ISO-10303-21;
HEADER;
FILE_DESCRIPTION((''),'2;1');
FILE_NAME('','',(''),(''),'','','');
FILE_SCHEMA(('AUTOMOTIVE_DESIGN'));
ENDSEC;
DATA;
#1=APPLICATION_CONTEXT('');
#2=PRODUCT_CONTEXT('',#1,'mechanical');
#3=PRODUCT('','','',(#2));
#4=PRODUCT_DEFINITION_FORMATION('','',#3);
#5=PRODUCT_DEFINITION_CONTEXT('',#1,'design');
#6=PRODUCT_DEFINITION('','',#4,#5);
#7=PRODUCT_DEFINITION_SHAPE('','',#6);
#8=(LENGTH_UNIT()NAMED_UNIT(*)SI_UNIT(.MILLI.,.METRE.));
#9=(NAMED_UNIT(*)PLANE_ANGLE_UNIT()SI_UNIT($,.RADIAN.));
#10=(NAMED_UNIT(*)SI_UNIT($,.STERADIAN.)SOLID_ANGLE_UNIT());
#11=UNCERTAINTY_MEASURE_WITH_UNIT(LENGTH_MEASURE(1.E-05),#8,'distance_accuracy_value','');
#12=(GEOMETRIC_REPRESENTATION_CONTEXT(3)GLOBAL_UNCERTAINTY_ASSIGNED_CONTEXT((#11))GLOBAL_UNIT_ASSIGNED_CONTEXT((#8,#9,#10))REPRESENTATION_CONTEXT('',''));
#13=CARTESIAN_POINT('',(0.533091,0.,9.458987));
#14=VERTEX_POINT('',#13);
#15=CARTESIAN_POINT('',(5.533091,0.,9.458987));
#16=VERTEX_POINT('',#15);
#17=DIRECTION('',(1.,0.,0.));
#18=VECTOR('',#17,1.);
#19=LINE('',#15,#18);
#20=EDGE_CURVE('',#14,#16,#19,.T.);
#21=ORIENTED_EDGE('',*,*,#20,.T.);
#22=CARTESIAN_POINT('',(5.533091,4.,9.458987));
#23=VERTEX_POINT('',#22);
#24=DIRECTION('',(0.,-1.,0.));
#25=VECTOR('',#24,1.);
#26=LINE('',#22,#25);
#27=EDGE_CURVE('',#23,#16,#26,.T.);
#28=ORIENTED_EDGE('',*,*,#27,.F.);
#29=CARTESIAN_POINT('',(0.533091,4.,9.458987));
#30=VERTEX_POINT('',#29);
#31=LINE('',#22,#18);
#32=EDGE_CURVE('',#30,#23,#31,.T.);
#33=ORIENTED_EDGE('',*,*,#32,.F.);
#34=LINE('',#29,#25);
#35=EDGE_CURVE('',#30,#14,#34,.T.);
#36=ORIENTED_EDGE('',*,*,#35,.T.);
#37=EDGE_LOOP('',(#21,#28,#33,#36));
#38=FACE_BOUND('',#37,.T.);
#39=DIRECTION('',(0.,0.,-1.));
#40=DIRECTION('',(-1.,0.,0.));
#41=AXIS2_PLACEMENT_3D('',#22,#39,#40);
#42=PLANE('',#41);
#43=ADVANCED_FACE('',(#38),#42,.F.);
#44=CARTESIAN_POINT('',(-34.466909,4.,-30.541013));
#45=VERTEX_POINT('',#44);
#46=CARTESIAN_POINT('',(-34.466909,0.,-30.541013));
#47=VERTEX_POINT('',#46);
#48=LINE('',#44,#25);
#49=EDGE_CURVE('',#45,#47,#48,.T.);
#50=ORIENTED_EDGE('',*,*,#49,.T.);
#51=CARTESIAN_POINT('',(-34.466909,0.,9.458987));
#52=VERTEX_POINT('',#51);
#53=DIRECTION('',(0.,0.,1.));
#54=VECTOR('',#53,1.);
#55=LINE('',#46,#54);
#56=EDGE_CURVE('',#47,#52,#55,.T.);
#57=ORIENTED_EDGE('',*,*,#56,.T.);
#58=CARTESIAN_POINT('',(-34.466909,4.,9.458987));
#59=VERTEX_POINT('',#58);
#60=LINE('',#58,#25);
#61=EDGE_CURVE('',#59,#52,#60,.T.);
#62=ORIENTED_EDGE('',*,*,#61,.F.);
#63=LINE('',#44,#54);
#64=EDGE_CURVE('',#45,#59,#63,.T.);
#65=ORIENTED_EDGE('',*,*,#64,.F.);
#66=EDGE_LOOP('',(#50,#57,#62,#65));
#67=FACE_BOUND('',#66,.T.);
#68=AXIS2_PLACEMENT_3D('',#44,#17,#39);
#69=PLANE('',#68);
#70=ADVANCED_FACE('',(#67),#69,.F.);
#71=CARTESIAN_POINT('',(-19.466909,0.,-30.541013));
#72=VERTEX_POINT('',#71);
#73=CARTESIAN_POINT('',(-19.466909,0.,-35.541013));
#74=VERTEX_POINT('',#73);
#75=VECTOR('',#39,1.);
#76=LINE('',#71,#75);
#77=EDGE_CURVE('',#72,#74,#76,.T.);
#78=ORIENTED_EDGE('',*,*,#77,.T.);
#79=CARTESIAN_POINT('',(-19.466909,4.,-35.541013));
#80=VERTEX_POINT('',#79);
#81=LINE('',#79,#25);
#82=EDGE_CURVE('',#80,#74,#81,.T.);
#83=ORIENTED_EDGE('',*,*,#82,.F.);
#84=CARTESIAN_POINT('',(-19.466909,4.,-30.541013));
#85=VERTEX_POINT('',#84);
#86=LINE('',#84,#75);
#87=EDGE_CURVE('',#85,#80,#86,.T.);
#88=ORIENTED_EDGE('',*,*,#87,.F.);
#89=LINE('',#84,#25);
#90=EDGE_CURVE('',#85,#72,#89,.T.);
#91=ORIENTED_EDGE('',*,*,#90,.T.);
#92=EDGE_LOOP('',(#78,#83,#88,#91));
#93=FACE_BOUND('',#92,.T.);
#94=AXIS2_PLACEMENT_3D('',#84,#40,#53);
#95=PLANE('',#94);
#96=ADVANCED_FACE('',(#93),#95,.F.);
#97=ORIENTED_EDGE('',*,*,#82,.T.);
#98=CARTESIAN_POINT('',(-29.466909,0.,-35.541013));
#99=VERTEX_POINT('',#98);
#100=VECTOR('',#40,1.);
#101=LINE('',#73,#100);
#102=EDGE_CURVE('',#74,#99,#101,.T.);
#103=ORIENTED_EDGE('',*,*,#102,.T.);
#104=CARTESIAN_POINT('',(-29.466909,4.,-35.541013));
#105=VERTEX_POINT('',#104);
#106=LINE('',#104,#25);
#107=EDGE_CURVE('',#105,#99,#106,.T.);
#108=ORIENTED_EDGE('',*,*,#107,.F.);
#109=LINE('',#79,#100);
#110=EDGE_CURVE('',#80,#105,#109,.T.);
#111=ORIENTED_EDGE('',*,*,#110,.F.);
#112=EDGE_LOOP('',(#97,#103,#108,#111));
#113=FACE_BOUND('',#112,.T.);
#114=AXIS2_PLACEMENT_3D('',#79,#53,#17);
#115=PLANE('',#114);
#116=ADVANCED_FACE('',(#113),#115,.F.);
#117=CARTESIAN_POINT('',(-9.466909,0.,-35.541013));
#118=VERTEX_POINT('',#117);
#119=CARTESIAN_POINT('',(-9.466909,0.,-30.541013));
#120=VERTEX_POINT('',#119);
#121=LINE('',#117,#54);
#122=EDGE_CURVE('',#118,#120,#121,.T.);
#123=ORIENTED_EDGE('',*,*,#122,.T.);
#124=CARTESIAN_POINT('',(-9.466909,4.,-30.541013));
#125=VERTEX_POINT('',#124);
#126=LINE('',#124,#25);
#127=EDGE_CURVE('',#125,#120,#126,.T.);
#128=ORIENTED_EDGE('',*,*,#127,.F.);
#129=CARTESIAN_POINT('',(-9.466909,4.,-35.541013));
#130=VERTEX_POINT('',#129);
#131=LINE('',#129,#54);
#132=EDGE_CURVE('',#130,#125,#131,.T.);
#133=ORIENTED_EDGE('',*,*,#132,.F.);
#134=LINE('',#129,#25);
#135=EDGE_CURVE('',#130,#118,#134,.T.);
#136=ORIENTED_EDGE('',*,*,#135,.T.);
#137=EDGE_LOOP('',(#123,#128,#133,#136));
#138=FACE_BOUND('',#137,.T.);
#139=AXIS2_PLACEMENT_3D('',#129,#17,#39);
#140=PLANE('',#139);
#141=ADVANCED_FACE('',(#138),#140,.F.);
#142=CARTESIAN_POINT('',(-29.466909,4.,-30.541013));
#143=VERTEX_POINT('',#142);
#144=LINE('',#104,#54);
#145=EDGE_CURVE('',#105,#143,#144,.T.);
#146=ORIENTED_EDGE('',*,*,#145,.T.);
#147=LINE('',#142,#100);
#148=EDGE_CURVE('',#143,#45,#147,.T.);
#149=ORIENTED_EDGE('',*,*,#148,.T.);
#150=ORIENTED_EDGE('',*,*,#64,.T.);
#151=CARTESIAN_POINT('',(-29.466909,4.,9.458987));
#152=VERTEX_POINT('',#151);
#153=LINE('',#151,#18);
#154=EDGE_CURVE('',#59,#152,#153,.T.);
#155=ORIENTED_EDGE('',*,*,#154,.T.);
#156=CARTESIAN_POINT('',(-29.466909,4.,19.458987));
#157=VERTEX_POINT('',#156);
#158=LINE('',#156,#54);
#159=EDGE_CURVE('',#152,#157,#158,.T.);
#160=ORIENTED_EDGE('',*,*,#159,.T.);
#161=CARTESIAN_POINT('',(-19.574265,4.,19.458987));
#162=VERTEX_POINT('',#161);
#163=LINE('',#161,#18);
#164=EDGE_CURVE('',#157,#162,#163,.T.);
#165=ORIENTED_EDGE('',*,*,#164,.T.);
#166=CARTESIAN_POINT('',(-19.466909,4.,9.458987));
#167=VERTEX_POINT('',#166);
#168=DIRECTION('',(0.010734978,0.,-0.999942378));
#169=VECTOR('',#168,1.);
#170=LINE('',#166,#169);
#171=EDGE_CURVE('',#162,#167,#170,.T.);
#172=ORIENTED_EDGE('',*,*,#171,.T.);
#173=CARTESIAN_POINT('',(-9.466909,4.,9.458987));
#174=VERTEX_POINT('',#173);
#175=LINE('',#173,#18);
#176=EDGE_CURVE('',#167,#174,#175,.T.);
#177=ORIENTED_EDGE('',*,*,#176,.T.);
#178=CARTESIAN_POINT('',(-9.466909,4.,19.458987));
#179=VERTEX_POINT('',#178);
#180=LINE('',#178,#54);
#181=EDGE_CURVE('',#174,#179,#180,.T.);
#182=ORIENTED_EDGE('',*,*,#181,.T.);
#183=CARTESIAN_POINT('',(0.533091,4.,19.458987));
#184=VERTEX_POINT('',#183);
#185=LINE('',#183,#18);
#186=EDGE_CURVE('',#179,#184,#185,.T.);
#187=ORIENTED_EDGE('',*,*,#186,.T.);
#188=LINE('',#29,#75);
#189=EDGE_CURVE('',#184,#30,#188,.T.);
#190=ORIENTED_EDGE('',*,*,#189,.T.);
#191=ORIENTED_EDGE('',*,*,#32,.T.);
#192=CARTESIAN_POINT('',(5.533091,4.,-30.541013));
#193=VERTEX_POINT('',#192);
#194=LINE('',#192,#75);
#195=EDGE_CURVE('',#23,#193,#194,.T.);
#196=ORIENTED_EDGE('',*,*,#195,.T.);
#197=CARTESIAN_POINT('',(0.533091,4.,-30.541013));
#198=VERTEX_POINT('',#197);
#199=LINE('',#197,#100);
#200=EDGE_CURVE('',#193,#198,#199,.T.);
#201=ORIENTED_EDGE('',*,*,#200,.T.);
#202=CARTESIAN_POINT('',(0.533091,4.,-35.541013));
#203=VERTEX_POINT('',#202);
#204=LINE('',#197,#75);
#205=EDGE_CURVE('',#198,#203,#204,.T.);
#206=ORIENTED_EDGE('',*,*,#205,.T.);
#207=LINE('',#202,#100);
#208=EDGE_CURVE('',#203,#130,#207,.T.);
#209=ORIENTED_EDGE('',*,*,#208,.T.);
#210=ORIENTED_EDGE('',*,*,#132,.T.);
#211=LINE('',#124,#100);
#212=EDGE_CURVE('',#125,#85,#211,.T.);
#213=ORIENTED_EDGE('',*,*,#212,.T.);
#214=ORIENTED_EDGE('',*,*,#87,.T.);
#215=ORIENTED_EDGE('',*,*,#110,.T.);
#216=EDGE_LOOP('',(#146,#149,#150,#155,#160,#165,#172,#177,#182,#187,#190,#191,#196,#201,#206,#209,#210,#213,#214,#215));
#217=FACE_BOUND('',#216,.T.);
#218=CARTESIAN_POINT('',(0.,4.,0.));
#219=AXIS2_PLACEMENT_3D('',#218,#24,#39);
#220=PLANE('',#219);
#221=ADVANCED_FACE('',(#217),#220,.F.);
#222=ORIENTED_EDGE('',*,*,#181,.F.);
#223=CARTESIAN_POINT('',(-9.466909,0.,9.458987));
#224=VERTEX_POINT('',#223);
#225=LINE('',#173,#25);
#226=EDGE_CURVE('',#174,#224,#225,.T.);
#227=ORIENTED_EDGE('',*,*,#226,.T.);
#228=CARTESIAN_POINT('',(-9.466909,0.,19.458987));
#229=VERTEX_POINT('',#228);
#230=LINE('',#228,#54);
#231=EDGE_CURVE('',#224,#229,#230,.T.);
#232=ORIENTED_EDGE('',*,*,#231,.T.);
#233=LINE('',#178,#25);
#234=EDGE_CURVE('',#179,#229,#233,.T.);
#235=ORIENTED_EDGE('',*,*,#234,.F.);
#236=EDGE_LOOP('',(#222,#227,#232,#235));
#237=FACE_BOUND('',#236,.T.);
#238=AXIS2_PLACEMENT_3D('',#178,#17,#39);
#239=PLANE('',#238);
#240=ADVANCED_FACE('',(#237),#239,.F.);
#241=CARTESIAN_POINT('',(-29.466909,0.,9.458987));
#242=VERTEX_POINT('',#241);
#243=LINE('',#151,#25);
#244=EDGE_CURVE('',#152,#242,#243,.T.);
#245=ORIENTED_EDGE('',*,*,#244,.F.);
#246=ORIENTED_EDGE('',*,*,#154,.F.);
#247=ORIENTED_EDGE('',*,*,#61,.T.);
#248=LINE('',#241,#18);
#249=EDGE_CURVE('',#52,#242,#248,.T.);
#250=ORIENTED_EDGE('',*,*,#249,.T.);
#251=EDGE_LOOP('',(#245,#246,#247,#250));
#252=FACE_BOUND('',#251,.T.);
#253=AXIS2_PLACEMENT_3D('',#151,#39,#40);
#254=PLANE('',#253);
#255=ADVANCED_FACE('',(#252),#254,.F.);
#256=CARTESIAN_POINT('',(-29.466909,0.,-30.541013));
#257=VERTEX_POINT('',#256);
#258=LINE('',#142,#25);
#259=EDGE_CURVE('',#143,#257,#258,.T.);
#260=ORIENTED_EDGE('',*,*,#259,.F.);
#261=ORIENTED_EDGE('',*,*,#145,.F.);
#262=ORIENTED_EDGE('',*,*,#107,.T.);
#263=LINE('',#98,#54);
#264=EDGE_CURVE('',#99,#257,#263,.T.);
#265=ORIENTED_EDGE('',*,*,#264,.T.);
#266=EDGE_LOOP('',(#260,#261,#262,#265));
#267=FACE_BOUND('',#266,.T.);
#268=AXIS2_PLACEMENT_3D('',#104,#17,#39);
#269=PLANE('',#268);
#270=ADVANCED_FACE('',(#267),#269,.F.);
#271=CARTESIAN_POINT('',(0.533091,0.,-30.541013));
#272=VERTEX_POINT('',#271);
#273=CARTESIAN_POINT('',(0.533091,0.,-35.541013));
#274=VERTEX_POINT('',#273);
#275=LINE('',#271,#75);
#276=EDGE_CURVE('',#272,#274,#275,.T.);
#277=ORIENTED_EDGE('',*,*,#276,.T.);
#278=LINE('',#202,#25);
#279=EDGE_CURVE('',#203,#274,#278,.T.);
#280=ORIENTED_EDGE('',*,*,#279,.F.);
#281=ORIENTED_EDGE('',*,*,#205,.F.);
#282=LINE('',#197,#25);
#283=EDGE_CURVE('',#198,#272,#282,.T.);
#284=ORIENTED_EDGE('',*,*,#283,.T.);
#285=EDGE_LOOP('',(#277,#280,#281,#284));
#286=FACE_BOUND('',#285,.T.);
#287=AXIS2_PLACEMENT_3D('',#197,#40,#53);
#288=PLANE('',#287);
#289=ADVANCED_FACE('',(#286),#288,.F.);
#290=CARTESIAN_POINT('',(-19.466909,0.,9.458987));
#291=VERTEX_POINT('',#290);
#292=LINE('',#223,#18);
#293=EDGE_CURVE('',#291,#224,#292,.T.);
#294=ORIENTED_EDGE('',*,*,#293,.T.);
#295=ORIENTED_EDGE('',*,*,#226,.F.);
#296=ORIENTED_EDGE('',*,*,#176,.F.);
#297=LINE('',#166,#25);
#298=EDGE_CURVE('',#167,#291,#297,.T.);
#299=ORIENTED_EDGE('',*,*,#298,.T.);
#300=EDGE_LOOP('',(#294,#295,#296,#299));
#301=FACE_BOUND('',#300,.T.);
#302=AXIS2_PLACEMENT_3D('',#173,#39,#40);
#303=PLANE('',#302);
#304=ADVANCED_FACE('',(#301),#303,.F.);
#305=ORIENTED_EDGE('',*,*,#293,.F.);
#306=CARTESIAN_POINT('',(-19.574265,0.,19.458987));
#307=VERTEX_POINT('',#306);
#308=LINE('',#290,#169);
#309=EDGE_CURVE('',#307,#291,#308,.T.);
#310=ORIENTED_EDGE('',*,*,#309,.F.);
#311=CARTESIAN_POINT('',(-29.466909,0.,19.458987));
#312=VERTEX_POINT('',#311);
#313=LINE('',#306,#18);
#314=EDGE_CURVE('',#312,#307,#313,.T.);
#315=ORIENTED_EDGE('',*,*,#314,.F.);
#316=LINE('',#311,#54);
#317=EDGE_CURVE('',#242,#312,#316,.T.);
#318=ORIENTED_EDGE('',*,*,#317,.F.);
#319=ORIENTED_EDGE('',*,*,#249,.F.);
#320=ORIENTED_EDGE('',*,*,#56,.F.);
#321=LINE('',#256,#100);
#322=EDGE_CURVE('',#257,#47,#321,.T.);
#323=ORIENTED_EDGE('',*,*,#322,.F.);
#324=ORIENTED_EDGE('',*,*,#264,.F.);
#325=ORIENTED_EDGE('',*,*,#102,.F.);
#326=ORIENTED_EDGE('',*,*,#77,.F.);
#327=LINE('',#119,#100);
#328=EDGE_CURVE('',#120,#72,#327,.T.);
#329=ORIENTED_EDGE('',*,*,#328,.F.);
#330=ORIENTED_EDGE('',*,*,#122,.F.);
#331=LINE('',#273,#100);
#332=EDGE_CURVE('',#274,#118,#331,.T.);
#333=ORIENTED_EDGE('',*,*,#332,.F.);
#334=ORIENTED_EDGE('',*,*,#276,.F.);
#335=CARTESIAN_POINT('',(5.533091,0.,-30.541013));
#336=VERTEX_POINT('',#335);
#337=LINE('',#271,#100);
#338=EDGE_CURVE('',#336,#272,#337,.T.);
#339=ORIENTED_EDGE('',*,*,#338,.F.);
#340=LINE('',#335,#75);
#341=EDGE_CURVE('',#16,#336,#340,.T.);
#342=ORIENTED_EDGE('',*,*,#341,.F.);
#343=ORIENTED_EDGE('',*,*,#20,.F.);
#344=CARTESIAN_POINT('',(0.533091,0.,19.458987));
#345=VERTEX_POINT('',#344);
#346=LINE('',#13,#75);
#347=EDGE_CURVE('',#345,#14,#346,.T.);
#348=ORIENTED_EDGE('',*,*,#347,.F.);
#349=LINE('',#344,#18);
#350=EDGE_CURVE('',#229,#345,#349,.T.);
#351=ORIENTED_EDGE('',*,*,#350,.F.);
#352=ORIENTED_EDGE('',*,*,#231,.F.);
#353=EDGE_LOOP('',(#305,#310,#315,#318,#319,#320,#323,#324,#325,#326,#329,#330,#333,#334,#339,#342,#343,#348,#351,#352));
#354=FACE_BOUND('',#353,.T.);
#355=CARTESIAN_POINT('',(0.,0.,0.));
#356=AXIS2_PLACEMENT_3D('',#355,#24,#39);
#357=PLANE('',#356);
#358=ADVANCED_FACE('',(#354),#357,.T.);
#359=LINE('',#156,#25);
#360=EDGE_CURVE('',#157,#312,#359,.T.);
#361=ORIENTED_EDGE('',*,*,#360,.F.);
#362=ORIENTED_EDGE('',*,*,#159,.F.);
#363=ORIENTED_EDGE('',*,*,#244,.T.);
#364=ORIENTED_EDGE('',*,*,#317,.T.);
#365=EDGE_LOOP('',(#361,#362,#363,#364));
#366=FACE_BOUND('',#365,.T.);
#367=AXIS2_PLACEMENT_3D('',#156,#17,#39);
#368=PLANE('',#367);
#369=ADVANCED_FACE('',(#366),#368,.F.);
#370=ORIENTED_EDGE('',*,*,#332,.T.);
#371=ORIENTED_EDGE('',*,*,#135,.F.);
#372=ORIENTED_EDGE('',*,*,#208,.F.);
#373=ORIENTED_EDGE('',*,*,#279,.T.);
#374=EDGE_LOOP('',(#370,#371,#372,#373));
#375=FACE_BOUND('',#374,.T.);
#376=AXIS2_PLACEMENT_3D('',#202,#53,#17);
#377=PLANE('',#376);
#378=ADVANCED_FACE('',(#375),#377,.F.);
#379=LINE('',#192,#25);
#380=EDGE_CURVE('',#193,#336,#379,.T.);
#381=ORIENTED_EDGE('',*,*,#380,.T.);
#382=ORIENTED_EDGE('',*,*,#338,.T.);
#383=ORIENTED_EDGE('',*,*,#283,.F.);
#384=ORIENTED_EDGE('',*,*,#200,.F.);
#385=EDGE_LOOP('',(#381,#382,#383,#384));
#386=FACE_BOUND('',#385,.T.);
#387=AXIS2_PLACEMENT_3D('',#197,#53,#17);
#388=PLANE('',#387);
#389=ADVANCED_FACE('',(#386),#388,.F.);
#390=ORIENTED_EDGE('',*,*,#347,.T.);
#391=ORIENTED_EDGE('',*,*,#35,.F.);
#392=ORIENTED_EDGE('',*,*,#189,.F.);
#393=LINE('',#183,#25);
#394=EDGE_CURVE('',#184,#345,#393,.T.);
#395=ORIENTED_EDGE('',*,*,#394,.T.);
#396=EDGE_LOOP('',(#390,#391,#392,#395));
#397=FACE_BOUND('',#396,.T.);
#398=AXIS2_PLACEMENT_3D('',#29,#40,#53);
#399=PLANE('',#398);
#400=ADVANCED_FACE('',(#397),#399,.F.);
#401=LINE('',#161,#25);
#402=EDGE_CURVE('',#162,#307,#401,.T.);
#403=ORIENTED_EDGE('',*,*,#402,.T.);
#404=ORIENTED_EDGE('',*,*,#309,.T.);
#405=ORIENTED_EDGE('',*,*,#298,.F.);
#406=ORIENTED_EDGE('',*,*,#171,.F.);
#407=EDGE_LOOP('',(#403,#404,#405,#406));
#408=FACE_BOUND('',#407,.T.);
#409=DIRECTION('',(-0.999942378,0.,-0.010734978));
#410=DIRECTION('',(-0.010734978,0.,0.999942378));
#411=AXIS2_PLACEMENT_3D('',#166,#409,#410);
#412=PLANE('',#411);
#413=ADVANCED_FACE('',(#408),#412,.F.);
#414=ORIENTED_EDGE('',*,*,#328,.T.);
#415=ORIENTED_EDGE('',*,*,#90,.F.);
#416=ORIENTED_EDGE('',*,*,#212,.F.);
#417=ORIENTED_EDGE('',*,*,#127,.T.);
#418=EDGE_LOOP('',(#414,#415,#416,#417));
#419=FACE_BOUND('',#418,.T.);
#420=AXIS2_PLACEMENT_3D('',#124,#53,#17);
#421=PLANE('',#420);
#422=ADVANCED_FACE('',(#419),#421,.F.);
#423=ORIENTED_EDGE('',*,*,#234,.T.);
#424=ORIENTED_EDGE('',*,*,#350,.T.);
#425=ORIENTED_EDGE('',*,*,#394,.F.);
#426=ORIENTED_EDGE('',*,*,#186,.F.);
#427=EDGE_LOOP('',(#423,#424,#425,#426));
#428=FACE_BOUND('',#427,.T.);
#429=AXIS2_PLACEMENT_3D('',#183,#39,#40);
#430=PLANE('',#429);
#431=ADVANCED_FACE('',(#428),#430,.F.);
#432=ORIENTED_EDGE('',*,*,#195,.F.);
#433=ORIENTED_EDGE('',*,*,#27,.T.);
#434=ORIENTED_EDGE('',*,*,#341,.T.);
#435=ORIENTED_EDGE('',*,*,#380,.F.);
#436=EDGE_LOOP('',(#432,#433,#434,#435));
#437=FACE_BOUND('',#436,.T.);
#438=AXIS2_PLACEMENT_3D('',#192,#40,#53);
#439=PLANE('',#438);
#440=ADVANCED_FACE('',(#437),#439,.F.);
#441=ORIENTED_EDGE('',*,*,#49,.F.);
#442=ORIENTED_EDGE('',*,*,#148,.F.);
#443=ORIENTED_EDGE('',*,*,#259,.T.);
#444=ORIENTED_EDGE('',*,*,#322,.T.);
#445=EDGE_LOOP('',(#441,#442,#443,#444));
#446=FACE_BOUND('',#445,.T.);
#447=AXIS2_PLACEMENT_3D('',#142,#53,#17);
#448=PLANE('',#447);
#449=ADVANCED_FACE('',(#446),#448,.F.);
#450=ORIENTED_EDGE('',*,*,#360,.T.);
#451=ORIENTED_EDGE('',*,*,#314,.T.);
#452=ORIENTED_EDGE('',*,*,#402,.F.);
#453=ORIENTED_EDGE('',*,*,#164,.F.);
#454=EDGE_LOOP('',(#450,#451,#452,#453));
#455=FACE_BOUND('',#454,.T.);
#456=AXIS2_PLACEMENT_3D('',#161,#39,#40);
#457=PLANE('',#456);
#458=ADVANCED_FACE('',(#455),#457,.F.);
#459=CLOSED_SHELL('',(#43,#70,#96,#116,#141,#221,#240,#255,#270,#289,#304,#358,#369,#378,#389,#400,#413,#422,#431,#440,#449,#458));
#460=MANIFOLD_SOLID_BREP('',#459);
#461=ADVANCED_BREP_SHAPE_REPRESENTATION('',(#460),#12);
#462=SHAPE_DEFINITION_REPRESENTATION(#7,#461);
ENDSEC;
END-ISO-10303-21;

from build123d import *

# Parameters (mm, degrees)
BOSS_EXTRUDE1_DEPTH = 4


with BuildPart() as part:
    # Sketch1 → Boss-Extrude1 (new body)
    with BuildSketch(Plane(origin=(0, 0, 0), x_dir=(1, 0, 0), z_dir=(0, 1, 0))):
        Polygon((-29.466908589, 30.541012597), (-34.466908589, 30.541012597), (-34.466908589, -9.458987403), (-29.466908589, -9.458987403), (-29.466908589, -19.458987403), (-19.574264558, -19.458987403), (-19.466908589, -9.458987403), (-9.466908589, -9.458987403), (-9.466908589, -19.458987403), (0.533091411, -19.458987403), (0.533091411, -9.458987403), (5.533091411, -9.458987403), (5.533091411, 30.541012597), (0.533091411, 30.541012597), (0.533091411, 35.541012597), (-9.466908589, 35.541012597), (-9.466908589, 30.541012597), (-19.466908589, 30.541012597), (-19.466908589, 35.541012597), (-29.466908589, 35.541012597), align=None)
    extrude(amount=BOSS_EXTRUDE1_DEPTH)


solid = part.part
